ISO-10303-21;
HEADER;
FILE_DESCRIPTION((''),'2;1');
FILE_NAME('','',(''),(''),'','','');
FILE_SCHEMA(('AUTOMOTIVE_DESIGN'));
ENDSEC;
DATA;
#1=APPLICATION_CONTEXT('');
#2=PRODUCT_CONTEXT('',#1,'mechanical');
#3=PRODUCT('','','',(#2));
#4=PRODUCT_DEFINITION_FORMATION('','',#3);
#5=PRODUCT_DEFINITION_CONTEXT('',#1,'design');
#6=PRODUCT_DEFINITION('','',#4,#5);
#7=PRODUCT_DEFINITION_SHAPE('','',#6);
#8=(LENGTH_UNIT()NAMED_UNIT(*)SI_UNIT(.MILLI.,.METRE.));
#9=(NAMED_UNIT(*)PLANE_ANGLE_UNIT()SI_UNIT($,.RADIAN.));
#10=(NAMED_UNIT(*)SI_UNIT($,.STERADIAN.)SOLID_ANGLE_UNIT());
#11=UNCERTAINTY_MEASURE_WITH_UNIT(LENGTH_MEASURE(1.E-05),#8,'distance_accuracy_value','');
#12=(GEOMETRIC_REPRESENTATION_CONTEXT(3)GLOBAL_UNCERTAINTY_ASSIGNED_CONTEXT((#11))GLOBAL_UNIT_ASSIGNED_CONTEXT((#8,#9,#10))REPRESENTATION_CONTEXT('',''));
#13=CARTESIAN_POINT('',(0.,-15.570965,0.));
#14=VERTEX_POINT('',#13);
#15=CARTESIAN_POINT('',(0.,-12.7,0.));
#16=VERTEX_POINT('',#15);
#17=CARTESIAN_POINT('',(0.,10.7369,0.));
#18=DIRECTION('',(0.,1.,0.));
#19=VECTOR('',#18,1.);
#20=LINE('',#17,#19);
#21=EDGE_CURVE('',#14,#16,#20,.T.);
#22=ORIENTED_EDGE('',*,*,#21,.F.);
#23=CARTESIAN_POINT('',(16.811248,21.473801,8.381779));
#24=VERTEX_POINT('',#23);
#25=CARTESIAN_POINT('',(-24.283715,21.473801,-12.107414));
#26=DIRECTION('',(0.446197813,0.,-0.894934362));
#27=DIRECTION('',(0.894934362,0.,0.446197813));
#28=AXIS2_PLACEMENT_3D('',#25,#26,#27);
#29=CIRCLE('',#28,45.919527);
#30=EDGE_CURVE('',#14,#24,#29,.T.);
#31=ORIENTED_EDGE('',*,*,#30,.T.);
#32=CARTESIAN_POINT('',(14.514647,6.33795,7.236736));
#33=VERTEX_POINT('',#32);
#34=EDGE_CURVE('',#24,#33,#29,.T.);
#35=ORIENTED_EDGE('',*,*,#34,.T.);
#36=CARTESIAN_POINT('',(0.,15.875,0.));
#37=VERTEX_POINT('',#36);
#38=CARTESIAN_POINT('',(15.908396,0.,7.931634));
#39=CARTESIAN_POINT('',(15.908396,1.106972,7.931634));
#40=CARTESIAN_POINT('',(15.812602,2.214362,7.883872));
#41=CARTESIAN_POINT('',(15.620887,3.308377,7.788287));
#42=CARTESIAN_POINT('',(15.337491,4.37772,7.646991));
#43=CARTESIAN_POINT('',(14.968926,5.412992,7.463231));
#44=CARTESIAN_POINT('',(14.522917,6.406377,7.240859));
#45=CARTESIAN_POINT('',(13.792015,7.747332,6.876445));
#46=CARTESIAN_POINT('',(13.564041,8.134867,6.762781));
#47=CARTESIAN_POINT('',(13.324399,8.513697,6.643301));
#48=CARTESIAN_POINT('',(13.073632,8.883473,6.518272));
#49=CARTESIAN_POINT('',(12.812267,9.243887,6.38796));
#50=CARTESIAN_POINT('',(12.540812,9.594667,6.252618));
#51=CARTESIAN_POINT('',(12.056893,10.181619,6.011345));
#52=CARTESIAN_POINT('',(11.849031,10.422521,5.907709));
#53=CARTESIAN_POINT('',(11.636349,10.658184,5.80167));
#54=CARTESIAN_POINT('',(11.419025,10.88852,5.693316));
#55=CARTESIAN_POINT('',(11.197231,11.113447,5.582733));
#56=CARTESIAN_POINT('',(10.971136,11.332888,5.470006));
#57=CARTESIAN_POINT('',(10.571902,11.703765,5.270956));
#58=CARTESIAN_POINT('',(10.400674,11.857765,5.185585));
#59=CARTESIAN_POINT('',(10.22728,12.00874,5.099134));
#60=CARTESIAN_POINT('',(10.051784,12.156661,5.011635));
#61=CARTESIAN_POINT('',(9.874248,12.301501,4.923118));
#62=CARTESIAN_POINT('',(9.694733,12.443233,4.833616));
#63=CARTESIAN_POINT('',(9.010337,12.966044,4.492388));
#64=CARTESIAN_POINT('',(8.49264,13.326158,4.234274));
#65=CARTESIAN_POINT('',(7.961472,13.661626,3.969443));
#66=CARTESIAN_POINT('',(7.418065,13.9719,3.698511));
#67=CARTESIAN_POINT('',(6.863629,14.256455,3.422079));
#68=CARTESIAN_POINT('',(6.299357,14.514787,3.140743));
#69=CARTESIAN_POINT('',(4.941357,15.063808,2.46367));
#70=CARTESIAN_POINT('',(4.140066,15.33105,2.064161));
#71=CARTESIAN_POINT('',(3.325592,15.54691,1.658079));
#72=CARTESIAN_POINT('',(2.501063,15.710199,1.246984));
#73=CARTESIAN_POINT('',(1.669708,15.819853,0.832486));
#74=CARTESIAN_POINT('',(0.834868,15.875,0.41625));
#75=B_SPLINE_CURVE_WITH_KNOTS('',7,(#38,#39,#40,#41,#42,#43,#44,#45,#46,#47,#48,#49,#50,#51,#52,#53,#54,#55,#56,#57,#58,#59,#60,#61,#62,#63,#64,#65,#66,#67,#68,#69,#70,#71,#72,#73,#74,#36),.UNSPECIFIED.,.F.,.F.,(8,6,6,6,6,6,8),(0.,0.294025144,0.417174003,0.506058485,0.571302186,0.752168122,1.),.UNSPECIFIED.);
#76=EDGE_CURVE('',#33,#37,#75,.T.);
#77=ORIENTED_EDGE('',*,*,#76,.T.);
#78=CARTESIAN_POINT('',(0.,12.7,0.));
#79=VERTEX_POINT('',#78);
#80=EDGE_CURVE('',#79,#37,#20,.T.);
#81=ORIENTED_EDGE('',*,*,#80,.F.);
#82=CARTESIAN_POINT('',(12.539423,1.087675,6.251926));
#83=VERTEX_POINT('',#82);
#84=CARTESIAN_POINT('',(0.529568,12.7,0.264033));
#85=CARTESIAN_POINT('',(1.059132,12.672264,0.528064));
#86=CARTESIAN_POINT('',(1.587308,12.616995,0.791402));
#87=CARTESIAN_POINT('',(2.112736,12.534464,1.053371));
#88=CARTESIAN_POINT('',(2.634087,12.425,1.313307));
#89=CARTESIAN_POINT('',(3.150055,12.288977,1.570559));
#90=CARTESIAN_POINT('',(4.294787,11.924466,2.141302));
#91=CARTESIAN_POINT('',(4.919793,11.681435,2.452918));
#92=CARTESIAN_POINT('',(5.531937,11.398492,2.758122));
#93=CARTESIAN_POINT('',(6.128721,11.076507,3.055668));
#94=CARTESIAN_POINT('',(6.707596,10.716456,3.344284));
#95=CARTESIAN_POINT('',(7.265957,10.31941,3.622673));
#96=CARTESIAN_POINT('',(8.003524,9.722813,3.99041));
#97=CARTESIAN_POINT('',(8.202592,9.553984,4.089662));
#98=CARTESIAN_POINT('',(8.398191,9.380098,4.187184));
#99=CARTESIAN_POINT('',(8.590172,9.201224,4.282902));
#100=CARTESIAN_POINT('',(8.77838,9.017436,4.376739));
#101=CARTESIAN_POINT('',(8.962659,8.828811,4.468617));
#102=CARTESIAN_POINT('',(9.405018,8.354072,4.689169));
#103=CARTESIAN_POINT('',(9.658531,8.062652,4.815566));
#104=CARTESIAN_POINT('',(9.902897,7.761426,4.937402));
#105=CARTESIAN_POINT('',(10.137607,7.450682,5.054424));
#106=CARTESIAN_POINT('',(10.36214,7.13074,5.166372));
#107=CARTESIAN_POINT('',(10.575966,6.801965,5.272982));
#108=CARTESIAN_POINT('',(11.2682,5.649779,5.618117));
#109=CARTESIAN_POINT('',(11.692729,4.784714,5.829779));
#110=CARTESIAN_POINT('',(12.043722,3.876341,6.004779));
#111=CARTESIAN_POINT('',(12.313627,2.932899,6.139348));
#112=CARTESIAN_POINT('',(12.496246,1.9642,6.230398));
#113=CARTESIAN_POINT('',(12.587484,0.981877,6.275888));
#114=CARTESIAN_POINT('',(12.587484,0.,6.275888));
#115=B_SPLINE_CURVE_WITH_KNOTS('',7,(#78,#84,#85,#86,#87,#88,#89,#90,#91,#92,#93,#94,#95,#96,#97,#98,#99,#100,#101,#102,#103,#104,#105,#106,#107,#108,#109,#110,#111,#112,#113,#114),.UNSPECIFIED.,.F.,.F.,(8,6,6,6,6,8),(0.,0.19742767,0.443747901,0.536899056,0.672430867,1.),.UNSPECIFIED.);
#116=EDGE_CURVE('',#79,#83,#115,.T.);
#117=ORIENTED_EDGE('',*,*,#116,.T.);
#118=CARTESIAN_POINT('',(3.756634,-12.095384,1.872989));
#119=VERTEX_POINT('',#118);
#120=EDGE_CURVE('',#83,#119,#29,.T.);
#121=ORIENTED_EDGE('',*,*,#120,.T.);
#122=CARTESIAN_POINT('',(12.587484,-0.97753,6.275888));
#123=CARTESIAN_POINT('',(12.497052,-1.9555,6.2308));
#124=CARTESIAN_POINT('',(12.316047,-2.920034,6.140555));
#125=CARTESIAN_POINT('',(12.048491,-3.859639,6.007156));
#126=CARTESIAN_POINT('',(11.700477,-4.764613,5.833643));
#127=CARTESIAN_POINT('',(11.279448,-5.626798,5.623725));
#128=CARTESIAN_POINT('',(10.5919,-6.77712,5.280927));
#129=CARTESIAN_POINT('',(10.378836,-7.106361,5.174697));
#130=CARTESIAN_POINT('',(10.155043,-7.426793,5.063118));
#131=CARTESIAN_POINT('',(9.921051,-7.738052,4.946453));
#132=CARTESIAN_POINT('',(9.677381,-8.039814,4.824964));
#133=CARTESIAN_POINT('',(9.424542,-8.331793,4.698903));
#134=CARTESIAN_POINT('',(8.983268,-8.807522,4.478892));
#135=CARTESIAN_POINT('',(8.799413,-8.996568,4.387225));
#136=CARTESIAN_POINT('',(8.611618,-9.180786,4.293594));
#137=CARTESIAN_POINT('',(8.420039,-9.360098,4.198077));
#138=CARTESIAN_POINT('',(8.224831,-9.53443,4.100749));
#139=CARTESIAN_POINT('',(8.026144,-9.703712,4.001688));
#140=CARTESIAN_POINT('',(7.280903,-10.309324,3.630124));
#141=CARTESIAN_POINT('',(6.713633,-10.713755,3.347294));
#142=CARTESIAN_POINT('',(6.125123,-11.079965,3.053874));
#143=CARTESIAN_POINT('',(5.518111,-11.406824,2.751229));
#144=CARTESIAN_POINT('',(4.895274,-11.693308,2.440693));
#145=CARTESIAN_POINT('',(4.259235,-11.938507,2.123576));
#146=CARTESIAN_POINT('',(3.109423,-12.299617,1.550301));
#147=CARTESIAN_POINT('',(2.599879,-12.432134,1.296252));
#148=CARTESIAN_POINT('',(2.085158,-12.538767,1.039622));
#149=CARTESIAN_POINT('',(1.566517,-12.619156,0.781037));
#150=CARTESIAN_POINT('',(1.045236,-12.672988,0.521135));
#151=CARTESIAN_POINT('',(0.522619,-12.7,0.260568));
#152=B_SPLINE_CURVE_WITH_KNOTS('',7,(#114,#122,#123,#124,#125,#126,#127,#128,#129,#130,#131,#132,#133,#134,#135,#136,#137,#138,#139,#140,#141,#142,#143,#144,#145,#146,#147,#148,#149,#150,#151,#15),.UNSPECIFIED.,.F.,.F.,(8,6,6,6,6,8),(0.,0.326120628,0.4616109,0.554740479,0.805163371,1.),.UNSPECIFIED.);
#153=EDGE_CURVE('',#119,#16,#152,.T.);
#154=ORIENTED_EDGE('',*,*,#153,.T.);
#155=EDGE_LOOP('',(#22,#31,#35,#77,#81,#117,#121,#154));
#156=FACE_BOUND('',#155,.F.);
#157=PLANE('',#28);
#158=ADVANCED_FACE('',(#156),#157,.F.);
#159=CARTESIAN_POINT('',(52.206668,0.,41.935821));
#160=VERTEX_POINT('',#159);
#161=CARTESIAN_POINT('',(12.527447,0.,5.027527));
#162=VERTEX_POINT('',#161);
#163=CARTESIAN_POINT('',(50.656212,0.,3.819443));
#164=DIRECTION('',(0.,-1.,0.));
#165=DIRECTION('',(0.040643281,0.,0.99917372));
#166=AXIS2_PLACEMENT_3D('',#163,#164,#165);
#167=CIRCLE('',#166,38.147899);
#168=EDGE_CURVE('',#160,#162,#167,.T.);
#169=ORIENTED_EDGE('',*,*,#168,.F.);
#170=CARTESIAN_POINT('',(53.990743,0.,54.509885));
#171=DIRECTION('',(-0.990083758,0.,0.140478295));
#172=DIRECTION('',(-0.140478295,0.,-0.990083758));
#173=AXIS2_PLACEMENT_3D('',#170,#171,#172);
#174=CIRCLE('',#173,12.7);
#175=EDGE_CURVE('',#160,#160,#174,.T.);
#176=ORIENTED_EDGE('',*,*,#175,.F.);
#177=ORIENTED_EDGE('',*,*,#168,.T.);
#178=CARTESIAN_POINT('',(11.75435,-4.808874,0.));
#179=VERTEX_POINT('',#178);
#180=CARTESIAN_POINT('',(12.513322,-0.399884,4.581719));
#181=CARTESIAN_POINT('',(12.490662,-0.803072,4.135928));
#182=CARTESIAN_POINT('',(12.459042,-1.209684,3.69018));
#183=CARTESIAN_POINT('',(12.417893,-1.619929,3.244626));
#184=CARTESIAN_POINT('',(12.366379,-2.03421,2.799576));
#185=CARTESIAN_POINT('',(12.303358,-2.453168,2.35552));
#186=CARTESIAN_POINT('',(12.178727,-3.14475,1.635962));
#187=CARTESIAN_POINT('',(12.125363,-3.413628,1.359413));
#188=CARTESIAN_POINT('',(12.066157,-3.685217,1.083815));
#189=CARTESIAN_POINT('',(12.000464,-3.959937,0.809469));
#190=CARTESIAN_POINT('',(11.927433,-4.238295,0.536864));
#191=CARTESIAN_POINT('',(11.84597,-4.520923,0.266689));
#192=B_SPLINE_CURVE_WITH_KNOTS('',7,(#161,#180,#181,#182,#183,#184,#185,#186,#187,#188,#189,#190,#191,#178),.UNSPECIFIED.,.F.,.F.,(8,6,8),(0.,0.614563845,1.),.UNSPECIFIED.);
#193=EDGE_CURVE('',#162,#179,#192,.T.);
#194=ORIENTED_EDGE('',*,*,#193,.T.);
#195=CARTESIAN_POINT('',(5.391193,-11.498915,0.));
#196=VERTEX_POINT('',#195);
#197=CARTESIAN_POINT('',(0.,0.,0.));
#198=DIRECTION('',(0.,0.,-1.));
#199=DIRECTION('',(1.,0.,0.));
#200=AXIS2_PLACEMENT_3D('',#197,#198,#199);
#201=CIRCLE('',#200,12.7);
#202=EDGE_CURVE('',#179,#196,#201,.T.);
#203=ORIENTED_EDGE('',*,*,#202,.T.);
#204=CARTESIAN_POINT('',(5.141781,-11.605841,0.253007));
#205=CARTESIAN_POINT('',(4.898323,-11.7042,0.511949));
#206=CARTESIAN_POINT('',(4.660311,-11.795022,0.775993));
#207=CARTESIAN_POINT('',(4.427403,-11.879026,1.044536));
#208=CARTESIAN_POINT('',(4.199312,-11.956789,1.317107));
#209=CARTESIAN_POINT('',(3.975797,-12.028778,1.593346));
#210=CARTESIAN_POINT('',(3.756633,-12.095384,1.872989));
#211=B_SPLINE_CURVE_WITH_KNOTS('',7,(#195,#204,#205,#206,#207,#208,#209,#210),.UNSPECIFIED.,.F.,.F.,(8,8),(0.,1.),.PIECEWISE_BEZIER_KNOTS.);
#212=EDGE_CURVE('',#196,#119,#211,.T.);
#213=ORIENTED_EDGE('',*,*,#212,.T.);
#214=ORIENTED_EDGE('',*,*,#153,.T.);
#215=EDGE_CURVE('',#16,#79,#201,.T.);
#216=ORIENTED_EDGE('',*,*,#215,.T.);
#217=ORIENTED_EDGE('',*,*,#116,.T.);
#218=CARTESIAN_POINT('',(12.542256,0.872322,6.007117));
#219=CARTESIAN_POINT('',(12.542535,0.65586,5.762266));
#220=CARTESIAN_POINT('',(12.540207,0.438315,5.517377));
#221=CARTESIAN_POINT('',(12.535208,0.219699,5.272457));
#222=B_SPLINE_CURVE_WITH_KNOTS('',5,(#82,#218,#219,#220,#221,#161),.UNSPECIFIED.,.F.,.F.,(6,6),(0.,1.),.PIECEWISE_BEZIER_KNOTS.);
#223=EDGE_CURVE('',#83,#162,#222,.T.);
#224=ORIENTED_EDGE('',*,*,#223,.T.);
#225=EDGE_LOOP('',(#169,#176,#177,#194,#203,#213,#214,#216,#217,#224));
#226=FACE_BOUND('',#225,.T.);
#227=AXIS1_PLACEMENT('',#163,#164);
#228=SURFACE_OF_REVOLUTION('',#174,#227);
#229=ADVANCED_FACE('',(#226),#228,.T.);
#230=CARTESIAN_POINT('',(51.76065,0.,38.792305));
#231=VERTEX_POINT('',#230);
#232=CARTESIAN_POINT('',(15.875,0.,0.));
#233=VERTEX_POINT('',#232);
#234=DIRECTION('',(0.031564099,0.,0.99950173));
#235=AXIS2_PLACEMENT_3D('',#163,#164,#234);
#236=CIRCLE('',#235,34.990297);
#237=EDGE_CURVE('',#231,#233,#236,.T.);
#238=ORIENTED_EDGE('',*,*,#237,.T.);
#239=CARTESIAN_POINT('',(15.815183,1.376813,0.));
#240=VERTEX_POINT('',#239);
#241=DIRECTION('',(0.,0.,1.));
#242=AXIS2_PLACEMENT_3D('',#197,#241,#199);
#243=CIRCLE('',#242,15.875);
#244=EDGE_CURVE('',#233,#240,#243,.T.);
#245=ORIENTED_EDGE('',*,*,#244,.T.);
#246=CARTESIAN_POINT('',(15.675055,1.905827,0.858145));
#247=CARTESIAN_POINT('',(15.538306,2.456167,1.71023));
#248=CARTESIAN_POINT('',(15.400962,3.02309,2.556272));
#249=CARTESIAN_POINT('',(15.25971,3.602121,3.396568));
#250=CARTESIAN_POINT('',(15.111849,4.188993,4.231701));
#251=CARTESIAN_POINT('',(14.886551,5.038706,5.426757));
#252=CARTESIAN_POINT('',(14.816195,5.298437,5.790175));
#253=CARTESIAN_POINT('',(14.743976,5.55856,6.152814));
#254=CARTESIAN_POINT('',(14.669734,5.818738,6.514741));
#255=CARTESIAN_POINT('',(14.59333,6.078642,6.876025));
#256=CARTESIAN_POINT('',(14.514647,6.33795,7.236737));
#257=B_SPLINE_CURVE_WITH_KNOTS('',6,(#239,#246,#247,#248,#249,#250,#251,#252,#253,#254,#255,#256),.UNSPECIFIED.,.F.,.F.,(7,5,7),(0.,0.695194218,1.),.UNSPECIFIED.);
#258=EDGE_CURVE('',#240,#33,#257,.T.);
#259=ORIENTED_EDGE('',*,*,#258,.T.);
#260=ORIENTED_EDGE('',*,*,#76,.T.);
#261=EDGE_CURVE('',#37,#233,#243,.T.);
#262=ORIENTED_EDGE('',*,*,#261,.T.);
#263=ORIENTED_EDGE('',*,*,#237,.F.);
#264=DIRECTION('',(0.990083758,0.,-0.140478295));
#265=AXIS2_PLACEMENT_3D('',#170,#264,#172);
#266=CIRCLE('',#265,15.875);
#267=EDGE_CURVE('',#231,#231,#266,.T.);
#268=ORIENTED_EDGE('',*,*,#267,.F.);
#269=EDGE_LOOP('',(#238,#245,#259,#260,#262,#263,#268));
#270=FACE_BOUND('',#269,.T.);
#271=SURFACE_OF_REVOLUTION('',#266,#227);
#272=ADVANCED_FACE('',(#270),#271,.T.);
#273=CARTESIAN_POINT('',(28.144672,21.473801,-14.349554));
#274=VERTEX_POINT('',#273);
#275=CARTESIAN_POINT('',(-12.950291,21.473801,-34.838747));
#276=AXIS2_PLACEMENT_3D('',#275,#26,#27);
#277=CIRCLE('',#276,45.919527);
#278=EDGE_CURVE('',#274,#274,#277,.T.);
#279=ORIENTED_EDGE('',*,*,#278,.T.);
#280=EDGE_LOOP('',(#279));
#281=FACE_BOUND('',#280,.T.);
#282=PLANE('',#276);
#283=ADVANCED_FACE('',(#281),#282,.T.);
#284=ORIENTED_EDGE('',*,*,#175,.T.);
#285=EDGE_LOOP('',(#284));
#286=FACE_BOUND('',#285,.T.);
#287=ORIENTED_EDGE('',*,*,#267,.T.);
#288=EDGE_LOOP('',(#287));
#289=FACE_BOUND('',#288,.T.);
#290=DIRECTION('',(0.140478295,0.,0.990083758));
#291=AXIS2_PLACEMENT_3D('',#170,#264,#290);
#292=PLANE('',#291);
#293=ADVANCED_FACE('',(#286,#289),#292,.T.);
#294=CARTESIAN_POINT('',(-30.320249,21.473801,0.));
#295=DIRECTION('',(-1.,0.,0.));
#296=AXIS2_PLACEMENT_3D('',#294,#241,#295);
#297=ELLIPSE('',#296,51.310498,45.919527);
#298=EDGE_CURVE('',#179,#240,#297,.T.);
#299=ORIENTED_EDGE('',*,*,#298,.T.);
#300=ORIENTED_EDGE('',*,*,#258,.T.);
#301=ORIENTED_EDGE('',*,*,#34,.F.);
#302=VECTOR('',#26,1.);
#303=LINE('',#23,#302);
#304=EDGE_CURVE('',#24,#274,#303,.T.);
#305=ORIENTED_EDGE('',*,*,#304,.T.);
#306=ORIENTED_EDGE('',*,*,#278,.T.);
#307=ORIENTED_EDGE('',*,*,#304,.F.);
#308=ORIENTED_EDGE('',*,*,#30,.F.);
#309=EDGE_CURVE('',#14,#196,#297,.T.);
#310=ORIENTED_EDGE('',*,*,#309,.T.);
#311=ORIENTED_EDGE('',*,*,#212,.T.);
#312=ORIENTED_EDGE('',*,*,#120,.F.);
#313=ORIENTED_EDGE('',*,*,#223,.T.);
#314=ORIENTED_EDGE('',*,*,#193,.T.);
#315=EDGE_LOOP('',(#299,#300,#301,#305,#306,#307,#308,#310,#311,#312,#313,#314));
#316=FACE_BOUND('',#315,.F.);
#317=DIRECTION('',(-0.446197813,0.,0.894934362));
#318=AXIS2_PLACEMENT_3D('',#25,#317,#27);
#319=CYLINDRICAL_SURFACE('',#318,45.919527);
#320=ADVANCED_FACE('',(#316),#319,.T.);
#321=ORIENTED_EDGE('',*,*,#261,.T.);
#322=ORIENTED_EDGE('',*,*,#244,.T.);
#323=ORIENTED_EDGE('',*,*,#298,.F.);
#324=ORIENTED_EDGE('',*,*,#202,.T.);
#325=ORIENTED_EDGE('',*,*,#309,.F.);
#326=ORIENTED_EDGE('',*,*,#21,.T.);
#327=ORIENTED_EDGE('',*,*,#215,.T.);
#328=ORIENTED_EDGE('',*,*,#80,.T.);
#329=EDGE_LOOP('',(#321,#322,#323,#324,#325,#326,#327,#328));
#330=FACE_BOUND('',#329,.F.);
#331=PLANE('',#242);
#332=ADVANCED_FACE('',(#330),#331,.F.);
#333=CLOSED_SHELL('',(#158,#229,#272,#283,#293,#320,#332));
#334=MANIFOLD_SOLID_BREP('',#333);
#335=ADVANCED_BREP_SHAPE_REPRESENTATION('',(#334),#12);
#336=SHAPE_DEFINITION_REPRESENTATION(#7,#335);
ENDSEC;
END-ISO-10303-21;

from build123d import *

# Parameters (mm, degrees)
F0_R     = 15.875
F0_R_2   = 12.7
F6_R     = 45.9195273945
F7_DEPTH = 25.4


with BuildPart() as f2:
    # F2: sweep along a path in F1
    with BuildLine(Plane.XZ) as f2_path:
        ThreePointArc((53.9907425622, 54.5098847274), (14.5637300095, 39.5681869591), (0, 0))
    # F0 (on Top) → F2 (sweep)
    with BuildSketch(Plane.XY):
        Circle(F0_R)
        Circle(F0_R_2, mode=Mode.SUBTRACT)
    sweep(path=f2_path.line)

    # F6 (on 3pt) → F7 (join)
    with BuildSketch(Plane(origin=(0, 0, 0), x_dir=(0.8949343616, 0, 0.4461978131), z_dir=(0.4461978131, 0, -0.8949343616))):
        with Locations((-27.1346326917, -21.4738007635)):
            Circle(F6_R)
    extrude(amount=F7_DEPTH)


solid = f2.part
